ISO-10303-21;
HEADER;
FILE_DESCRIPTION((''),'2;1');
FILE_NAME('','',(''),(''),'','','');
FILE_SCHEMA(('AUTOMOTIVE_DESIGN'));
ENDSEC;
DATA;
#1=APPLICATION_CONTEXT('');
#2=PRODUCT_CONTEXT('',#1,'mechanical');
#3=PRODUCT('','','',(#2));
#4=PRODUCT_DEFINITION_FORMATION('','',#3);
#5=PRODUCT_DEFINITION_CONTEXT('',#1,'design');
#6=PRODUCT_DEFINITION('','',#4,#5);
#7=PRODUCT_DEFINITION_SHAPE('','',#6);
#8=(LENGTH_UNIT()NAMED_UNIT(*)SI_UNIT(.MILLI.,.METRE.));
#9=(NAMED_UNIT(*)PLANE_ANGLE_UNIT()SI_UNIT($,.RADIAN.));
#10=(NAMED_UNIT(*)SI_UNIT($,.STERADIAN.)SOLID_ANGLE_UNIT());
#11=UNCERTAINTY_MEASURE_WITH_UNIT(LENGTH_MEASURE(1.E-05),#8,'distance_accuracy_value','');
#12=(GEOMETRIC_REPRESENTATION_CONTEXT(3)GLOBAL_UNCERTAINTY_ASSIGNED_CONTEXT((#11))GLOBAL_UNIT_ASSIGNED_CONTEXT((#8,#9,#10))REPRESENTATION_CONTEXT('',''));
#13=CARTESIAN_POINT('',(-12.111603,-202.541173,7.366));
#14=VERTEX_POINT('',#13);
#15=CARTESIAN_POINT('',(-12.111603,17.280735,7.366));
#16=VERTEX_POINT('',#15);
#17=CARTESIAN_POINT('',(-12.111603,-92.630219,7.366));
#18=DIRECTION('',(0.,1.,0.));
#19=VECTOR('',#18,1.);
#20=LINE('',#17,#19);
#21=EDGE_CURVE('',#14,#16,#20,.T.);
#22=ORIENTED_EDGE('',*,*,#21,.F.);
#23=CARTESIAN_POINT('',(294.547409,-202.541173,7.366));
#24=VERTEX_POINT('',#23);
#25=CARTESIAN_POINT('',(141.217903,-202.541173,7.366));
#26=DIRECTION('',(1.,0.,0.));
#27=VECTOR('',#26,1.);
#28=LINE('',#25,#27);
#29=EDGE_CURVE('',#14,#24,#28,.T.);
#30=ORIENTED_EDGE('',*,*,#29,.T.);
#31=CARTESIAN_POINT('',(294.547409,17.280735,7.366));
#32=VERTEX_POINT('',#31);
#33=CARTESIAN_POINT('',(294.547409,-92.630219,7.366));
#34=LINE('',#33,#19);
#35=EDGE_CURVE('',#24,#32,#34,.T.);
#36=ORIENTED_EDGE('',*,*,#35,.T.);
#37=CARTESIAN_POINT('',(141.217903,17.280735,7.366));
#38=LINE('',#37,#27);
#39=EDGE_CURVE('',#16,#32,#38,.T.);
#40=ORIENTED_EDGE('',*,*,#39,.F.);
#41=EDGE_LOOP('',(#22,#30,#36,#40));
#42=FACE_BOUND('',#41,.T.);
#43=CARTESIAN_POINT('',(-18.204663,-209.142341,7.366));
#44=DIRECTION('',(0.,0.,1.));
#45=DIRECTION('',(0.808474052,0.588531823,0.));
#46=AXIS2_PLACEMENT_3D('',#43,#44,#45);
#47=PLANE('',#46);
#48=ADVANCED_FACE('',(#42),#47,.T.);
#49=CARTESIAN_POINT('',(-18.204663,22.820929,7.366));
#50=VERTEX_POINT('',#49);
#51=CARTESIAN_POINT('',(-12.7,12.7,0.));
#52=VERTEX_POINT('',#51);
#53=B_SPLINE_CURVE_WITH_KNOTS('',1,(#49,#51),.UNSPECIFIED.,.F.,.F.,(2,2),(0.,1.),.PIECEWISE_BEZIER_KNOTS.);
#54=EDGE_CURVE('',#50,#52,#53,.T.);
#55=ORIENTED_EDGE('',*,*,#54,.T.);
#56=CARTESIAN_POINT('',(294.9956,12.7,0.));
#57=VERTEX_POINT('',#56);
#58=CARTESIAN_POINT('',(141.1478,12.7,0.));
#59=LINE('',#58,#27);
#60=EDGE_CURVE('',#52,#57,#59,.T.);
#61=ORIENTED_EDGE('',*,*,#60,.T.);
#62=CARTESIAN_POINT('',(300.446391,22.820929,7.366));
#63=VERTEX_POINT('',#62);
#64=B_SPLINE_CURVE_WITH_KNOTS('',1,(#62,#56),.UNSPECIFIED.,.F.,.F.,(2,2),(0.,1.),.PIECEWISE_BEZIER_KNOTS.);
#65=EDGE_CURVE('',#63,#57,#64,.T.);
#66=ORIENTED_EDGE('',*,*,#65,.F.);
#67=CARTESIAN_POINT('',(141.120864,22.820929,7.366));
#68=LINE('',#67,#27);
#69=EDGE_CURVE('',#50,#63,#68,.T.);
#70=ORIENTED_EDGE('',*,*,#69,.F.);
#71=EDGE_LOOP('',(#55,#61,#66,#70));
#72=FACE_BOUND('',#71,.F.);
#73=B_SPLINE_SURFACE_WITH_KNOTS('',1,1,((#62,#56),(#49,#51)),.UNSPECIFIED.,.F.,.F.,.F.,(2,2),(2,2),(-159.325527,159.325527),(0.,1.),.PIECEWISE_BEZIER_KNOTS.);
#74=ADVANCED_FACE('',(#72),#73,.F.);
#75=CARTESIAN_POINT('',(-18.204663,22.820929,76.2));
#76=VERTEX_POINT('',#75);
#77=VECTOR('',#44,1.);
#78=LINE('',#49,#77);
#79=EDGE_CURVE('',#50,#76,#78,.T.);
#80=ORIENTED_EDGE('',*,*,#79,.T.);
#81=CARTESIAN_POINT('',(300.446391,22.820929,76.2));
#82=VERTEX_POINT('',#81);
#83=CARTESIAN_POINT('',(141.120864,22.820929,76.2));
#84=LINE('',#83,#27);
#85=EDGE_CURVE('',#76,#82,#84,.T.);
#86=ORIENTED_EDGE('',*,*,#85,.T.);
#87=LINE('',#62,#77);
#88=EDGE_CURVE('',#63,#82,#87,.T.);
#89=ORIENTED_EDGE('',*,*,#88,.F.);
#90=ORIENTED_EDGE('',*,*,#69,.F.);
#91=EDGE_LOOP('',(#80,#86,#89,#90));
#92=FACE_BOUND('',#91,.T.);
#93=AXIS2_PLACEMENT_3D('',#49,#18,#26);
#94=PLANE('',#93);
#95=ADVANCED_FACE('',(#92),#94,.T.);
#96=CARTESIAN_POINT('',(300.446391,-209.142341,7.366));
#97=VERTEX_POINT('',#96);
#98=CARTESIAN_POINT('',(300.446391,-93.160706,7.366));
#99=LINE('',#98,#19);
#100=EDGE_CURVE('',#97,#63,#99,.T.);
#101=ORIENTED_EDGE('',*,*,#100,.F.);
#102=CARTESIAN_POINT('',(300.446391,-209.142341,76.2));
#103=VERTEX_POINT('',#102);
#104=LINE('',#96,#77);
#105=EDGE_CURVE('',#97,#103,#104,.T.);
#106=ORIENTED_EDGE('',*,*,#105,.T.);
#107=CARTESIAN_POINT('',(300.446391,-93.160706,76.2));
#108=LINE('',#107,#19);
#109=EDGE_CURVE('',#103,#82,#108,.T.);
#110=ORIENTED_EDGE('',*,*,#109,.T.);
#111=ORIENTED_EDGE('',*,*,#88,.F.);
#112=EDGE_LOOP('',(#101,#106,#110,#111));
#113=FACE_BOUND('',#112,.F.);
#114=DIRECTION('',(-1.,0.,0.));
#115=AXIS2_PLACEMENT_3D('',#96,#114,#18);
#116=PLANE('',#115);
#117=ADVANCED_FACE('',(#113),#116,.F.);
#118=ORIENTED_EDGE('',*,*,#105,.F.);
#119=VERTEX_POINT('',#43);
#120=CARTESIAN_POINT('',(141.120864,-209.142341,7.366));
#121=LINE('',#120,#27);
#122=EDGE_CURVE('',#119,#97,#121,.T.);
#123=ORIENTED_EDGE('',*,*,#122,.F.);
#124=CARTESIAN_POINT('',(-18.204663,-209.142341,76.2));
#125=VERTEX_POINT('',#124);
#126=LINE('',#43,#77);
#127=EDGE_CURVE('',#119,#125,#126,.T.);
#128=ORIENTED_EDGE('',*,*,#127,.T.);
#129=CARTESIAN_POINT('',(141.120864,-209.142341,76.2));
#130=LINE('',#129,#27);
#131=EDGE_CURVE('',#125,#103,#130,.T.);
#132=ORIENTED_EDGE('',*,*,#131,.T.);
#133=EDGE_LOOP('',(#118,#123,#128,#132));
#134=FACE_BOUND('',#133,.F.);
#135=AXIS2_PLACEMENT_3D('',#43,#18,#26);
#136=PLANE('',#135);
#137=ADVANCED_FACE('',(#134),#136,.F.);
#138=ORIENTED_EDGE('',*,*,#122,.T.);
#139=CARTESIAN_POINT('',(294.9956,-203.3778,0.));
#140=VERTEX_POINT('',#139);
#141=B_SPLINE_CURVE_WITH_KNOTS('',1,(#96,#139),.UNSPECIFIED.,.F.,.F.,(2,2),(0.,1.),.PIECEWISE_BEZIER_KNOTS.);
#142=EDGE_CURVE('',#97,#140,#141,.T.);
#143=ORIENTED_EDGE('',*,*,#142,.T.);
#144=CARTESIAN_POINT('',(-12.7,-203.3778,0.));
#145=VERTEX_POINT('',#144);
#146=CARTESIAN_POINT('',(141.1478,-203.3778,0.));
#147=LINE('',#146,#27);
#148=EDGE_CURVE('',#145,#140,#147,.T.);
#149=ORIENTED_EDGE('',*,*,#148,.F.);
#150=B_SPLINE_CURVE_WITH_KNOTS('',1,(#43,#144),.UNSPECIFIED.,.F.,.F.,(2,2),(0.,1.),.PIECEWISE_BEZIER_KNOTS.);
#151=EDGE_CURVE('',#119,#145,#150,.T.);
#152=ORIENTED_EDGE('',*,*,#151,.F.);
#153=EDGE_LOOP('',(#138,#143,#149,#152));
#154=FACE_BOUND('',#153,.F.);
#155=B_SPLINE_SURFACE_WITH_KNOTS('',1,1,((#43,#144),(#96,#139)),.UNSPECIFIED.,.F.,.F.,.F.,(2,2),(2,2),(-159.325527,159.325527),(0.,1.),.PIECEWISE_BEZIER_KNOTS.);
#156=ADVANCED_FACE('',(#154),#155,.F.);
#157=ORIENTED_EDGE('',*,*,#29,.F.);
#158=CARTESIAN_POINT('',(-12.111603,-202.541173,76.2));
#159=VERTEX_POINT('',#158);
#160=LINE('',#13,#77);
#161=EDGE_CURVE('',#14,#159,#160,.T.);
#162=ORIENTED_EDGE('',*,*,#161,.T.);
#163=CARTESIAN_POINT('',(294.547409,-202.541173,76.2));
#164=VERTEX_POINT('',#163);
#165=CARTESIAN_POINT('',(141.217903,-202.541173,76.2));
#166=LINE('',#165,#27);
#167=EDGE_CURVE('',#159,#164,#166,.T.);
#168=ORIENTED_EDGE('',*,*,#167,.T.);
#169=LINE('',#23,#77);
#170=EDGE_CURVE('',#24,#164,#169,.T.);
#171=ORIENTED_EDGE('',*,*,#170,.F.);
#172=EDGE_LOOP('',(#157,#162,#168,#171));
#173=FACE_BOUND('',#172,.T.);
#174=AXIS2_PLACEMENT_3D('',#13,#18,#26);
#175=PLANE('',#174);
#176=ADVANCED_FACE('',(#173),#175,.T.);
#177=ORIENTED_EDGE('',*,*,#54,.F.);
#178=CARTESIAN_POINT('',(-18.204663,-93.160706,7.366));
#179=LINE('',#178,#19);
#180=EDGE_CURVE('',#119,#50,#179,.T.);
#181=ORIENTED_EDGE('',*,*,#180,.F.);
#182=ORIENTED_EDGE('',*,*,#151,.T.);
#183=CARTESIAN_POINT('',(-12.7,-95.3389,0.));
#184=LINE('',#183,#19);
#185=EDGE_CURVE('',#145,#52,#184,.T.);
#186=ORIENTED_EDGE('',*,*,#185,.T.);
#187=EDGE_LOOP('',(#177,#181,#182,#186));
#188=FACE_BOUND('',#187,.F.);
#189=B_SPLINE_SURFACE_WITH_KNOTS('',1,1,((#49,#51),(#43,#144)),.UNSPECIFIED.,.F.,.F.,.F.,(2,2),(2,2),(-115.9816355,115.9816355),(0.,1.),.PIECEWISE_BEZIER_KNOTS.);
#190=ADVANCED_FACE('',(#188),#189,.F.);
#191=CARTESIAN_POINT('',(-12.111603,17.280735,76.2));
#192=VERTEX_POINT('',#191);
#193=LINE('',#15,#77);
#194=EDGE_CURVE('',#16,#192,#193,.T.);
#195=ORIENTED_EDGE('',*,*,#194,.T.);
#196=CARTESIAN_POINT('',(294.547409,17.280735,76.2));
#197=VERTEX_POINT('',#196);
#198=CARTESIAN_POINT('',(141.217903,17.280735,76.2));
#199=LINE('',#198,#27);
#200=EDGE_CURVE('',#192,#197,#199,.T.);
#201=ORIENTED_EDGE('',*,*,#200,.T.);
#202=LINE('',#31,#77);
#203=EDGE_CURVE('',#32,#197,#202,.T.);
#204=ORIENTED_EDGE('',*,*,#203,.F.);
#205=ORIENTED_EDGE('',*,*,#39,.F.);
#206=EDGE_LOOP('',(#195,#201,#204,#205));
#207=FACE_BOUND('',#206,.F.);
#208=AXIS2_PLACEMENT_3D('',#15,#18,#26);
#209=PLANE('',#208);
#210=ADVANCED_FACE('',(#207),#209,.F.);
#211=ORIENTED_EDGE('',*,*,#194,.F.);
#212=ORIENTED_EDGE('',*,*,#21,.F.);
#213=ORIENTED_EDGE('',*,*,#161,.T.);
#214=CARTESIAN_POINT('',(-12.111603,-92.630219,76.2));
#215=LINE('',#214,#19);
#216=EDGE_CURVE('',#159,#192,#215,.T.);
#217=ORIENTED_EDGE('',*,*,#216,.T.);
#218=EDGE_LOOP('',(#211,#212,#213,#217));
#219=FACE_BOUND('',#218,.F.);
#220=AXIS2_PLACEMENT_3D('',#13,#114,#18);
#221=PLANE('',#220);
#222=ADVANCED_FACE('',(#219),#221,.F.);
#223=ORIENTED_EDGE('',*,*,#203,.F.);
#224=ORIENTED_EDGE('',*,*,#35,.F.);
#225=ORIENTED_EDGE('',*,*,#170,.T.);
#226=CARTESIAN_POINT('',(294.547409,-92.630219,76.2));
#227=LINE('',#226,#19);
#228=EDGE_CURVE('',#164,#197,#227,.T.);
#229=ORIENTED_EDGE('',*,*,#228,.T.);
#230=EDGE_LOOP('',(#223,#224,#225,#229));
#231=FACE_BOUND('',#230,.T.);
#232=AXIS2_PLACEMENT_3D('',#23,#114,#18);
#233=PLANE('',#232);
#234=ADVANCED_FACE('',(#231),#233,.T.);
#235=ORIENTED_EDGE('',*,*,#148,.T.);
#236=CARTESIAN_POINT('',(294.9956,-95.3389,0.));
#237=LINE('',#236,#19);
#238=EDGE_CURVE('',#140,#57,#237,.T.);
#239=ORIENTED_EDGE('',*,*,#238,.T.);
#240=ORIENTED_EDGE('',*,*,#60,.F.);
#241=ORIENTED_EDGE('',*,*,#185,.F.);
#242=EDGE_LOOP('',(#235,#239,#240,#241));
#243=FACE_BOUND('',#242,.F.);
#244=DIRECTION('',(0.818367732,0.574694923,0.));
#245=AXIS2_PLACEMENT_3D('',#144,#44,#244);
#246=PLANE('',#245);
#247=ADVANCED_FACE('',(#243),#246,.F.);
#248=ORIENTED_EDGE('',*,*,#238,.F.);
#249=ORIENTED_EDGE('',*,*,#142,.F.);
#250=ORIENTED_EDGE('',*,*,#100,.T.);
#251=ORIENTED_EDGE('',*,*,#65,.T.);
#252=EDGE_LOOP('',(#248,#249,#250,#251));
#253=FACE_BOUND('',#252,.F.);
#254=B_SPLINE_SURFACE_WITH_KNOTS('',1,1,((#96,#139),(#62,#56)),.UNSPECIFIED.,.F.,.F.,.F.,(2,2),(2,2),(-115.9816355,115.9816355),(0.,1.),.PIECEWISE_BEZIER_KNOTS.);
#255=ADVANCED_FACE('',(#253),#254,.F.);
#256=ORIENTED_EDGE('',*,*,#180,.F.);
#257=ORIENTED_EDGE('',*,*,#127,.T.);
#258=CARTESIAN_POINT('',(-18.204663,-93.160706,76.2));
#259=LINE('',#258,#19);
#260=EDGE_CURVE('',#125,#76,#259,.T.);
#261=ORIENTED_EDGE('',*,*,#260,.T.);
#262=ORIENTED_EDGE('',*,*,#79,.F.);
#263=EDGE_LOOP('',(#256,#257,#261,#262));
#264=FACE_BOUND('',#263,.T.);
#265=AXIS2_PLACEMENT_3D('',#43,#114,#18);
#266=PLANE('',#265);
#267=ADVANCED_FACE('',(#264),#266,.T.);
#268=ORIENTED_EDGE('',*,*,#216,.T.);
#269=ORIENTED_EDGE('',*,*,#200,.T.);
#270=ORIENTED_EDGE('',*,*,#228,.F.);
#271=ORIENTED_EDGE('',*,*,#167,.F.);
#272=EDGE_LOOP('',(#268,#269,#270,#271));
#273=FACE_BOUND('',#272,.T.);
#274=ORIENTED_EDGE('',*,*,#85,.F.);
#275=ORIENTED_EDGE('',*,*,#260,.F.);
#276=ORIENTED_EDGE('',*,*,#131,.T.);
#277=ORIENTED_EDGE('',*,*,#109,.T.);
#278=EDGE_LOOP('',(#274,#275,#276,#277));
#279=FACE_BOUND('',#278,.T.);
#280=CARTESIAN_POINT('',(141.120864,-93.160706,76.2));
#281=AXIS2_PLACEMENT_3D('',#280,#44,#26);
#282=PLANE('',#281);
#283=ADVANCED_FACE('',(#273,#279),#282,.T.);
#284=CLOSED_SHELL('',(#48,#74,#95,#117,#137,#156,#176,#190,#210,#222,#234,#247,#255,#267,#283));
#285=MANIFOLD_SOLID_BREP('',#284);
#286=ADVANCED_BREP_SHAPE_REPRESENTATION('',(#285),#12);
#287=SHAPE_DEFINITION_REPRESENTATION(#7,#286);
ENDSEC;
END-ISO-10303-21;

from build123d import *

# Parameters (mm, degrees)
F2_W     = 318.651054
F2_H     = 231.963271
F0_W     = 307.6956
F0_H     = 216.0778
F4_W     = 318.651054
F4_H     = 231.963271
F4_W_2   = 306.659011
F4_H_2   = 219.821908
F5_DEPTH = 68.834


with BuildPart() as f3:
    # F2 (on offset) → F3 section 0
    with BuildSketch(Plane.XY.offset(7.366)):
        with Locations((141.120864, -93.160706)):
            Rectangle(F2_W, F2_H)
    # F0 (on Top) → F3 section 1
    with BuildSketch(Plane.XY):
        with Locations((141.1478, -95.3389)):
            Rectangle(F0_W, F0_H)
    loft()

    # F4 (on face) → F5 (join)
    with BuildSketch(Plane.XY.offset(7.366)):
        with Locations((141.120864, -93.160706)):
            Rectangle(F4_W, F4_H)
        with Locations((141.217903, -92.630219)):
            Rectangle(F4_W_2, F4_H_2, mode=Mode.SUBTRACT)
    extrude(amount=F5_DEPTH)


solid = f3.part
